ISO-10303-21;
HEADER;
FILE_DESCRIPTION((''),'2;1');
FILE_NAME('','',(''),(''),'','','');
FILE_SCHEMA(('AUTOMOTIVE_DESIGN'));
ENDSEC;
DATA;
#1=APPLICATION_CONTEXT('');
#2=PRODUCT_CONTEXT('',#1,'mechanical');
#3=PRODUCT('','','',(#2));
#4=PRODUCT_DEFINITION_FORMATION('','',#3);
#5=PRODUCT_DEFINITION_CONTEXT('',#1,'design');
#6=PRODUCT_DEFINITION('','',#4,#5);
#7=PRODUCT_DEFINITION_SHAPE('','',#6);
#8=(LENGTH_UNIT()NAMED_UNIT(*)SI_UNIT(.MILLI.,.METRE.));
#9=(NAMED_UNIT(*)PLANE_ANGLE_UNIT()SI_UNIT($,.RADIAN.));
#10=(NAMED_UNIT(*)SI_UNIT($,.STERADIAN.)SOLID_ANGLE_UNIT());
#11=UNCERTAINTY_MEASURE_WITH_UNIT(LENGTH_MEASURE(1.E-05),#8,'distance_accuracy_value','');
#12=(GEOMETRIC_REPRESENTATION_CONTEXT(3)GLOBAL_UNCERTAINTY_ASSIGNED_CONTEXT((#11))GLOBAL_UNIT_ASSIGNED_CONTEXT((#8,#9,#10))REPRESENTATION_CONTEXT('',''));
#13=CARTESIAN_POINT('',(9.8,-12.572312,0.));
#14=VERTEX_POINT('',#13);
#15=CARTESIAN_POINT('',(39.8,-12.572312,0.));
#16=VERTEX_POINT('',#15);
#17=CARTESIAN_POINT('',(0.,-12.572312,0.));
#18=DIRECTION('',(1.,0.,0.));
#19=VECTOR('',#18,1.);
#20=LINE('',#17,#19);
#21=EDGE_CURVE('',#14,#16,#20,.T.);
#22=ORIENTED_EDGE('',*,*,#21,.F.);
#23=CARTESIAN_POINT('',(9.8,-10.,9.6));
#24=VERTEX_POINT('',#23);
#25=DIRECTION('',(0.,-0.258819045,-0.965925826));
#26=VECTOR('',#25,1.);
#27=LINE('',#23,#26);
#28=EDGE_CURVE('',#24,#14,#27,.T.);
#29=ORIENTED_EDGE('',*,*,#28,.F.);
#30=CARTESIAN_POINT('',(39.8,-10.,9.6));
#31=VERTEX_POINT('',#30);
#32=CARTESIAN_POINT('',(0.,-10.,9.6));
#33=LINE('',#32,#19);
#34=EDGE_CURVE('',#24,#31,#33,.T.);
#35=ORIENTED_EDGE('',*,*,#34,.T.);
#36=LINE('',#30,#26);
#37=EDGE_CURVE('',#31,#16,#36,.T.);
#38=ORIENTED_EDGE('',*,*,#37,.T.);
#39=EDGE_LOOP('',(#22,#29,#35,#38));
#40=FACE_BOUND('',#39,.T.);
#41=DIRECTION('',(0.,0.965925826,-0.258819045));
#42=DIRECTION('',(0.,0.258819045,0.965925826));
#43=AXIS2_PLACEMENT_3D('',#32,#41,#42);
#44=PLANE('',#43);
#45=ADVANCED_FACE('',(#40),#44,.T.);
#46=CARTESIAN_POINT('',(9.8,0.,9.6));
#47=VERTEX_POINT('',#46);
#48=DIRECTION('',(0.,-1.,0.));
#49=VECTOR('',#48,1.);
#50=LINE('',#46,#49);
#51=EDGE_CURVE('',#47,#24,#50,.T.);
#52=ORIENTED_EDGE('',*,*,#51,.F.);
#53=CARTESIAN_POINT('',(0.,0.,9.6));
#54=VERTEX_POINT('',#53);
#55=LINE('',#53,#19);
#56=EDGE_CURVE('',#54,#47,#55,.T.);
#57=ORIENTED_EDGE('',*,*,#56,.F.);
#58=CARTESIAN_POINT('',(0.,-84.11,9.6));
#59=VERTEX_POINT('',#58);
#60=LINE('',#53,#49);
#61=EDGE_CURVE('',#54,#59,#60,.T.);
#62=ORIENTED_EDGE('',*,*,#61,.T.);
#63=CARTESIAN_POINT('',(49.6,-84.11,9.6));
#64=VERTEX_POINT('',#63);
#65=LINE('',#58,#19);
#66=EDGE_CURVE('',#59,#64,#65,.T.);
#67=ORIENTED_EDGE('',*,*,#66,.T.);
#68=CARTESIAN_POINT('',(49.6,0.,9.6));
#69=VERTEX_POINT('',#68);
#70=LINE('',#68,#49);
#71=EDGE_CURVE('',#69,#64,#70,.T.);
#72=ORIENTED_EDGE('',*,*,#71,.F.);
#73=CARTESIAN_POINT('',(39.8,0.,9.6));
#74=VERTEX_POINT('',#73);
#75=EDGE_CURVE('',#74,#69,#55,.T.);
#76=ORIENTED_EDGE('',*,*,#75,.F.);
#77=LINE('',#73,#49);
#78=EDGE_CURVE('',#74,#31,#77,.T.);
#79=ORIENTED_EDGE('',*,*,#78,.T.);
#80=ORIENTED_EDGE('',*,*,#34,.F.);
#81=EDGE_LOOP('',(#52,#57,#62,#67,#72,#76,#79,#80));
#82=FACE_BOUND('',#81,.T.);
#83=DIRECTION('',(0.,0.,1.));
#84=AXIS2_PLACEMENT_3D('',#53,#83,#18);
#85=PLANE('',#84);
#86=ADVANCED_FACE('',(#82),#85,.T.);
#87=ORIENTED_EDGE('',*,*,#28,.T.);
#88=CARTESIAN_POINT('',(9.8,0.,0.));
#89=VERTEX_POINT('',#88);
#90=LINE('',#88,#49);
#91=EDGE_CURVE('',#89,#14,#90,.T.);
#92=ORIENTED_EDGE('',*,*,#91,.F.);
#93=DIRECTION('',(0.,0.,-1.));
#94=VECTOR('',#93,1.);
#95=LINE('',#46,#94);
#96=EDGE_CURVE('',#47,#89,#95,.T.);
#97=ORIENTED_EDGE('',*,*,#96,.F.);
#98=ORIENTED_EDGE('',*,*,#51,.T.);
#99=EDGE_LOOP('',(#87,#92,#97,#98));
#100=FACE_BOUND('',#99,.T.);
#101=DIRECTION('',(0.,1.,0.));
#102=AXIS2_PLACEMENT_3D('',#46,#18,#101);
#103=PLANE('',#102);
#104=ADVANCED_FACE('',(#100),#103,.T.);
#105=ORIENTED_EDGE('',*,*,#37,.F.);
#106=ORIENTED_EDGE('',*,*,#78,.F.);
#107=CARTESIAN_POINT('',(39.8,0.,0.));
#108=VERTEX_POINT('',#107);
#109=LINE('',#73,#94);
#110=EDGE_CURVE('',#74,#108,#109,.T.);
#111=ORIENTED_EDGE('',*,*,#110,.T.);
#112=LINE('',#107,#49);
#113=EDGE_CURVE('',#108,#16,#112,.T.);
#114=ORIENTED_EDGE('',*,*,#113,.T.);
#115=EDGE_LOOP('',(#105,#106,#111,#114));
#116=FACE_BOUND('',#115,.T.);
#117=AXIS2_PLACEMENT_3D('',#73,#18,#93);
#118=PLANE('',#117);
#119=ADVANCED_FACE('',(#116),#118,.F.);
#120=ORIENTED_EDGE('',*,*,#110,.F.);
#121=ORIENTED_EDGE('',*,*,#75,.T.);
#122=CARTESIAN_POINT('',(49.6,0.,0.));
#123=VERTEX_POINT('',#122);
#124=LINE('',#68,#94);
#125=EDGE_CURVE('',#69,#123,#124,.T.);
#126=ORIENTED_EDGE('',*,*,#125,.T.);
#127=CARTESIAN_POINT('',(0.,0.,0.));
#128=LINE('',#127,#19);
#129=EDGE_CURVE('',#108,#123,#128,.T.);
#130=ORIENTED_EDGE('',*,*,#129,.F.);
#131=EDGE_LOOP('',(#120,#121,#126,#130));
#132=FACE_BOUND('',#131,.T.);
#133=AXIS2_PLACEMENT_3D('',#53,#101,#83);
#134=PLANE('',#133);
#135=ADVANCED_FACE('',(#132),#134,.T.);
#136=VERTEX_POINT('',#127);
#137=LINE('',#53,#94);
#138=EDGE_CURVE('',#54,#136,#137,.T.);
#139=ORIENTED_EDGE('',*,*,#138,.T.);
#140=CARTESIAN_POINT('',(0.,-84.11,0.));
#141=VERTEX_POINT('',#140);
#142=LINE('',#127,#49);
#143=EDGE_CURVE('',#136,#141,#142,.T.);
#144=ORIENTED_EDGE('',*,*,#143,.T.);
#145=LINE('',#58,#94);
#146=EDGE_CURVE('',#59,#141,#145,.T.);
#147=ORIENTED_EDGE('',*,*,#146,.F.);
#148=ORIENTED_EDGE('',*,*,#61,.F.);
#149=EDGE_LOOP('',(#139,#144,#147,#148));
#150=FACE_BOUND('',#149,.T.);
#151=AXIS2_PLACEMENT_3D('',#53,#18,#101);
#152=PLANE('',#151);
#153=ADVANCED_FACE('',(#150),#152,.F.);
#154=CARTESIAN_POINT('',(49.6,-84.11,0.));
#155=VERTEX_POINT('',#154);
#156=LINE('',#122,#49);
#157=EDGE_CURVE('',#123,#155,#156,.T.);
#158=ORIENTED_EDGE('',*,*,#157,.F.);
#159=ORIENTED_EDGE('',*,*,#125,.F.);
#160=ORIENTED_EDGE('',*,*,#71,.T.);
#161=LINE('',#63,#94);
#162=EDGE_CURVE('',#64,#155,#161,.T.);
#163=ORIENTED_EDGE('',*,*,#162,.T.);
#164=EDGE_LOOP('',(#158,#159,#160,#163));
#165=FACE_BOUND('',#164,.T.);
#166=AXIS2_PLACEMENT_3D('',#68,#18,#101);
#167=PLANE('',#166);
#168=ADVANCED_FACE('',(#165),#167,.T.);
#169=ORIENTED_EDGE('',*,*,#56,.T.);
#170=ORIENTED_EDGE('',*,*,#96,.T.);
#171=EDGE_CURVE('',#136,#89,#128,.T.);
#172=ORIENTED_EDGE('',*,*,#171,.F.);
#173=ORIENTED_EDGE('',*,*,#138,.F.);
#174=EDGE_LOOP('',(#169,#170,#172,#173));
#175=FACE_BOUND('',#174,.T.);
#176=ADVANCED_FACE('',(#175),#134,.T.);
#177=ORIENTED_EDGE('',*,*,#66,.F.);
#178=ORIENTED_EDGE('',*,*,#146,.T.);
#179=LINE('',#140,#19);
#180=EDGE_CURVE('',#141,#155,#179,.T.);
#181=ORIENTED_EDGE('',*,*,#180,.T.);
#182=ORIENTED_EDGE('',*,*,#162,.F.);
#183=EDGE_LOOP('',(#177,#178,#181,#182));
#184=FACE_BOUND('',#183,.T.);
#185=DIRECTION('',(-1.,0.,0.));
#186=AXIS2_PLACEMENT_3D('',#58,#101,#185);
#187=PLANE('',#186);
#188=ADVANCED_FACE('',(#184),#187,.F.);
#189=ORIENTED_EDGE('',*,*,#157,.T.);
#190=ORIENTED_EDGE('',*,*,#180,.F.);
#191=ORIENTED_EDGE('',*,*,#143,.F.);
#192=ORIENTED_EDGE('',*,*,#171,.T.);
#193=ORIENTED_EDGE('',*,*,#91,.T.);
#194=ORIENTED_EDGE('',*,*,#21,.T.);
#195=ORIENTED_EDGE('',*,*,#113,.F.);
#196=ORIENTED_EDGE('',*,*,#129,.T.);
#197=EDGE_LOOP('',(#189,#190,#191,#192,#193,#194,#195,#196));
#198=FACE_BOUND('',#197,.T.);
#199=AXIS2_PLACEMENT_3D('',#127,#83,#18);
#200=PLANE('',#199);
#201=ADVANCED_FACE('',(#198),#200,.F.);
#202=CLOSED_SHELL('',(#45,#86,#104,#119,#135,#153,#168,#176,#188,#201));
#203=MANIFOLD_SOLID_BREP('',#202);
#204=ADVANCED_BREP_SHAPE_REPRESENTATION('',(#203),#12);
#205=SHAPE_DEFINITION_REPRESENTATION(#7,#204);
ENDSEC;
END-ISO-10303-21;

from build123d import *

# Parameters (mm, degrees)
EXTRUDE_1_DEPTH = 9.6
DRAFT_5_ANGLE   = -15


with BuildPart() as part:
    # 草图1 → 凸台-拉伸1 (new body)
    with BuildSketch(Plane.XY):
        Polygon((9.8, 0), (0, 0), (0, -84.11), (49.6, -84.11), (49.6, 0), (39.8, 0), (39.8, -10), (9.8, -10), align=None)
    extrude(amount=EXTRUDE_1_DEPTH)

    # 拔模5
    draft_5_faces = [part.faces().sort_by_distance(p)[0] for p in [
        (24.8, -10, 4.8),
    ]]
    draft(draft_5_faces, Plane.XY.offset(9.6), DRAFT_5_ANGLE)


solid = part.part
